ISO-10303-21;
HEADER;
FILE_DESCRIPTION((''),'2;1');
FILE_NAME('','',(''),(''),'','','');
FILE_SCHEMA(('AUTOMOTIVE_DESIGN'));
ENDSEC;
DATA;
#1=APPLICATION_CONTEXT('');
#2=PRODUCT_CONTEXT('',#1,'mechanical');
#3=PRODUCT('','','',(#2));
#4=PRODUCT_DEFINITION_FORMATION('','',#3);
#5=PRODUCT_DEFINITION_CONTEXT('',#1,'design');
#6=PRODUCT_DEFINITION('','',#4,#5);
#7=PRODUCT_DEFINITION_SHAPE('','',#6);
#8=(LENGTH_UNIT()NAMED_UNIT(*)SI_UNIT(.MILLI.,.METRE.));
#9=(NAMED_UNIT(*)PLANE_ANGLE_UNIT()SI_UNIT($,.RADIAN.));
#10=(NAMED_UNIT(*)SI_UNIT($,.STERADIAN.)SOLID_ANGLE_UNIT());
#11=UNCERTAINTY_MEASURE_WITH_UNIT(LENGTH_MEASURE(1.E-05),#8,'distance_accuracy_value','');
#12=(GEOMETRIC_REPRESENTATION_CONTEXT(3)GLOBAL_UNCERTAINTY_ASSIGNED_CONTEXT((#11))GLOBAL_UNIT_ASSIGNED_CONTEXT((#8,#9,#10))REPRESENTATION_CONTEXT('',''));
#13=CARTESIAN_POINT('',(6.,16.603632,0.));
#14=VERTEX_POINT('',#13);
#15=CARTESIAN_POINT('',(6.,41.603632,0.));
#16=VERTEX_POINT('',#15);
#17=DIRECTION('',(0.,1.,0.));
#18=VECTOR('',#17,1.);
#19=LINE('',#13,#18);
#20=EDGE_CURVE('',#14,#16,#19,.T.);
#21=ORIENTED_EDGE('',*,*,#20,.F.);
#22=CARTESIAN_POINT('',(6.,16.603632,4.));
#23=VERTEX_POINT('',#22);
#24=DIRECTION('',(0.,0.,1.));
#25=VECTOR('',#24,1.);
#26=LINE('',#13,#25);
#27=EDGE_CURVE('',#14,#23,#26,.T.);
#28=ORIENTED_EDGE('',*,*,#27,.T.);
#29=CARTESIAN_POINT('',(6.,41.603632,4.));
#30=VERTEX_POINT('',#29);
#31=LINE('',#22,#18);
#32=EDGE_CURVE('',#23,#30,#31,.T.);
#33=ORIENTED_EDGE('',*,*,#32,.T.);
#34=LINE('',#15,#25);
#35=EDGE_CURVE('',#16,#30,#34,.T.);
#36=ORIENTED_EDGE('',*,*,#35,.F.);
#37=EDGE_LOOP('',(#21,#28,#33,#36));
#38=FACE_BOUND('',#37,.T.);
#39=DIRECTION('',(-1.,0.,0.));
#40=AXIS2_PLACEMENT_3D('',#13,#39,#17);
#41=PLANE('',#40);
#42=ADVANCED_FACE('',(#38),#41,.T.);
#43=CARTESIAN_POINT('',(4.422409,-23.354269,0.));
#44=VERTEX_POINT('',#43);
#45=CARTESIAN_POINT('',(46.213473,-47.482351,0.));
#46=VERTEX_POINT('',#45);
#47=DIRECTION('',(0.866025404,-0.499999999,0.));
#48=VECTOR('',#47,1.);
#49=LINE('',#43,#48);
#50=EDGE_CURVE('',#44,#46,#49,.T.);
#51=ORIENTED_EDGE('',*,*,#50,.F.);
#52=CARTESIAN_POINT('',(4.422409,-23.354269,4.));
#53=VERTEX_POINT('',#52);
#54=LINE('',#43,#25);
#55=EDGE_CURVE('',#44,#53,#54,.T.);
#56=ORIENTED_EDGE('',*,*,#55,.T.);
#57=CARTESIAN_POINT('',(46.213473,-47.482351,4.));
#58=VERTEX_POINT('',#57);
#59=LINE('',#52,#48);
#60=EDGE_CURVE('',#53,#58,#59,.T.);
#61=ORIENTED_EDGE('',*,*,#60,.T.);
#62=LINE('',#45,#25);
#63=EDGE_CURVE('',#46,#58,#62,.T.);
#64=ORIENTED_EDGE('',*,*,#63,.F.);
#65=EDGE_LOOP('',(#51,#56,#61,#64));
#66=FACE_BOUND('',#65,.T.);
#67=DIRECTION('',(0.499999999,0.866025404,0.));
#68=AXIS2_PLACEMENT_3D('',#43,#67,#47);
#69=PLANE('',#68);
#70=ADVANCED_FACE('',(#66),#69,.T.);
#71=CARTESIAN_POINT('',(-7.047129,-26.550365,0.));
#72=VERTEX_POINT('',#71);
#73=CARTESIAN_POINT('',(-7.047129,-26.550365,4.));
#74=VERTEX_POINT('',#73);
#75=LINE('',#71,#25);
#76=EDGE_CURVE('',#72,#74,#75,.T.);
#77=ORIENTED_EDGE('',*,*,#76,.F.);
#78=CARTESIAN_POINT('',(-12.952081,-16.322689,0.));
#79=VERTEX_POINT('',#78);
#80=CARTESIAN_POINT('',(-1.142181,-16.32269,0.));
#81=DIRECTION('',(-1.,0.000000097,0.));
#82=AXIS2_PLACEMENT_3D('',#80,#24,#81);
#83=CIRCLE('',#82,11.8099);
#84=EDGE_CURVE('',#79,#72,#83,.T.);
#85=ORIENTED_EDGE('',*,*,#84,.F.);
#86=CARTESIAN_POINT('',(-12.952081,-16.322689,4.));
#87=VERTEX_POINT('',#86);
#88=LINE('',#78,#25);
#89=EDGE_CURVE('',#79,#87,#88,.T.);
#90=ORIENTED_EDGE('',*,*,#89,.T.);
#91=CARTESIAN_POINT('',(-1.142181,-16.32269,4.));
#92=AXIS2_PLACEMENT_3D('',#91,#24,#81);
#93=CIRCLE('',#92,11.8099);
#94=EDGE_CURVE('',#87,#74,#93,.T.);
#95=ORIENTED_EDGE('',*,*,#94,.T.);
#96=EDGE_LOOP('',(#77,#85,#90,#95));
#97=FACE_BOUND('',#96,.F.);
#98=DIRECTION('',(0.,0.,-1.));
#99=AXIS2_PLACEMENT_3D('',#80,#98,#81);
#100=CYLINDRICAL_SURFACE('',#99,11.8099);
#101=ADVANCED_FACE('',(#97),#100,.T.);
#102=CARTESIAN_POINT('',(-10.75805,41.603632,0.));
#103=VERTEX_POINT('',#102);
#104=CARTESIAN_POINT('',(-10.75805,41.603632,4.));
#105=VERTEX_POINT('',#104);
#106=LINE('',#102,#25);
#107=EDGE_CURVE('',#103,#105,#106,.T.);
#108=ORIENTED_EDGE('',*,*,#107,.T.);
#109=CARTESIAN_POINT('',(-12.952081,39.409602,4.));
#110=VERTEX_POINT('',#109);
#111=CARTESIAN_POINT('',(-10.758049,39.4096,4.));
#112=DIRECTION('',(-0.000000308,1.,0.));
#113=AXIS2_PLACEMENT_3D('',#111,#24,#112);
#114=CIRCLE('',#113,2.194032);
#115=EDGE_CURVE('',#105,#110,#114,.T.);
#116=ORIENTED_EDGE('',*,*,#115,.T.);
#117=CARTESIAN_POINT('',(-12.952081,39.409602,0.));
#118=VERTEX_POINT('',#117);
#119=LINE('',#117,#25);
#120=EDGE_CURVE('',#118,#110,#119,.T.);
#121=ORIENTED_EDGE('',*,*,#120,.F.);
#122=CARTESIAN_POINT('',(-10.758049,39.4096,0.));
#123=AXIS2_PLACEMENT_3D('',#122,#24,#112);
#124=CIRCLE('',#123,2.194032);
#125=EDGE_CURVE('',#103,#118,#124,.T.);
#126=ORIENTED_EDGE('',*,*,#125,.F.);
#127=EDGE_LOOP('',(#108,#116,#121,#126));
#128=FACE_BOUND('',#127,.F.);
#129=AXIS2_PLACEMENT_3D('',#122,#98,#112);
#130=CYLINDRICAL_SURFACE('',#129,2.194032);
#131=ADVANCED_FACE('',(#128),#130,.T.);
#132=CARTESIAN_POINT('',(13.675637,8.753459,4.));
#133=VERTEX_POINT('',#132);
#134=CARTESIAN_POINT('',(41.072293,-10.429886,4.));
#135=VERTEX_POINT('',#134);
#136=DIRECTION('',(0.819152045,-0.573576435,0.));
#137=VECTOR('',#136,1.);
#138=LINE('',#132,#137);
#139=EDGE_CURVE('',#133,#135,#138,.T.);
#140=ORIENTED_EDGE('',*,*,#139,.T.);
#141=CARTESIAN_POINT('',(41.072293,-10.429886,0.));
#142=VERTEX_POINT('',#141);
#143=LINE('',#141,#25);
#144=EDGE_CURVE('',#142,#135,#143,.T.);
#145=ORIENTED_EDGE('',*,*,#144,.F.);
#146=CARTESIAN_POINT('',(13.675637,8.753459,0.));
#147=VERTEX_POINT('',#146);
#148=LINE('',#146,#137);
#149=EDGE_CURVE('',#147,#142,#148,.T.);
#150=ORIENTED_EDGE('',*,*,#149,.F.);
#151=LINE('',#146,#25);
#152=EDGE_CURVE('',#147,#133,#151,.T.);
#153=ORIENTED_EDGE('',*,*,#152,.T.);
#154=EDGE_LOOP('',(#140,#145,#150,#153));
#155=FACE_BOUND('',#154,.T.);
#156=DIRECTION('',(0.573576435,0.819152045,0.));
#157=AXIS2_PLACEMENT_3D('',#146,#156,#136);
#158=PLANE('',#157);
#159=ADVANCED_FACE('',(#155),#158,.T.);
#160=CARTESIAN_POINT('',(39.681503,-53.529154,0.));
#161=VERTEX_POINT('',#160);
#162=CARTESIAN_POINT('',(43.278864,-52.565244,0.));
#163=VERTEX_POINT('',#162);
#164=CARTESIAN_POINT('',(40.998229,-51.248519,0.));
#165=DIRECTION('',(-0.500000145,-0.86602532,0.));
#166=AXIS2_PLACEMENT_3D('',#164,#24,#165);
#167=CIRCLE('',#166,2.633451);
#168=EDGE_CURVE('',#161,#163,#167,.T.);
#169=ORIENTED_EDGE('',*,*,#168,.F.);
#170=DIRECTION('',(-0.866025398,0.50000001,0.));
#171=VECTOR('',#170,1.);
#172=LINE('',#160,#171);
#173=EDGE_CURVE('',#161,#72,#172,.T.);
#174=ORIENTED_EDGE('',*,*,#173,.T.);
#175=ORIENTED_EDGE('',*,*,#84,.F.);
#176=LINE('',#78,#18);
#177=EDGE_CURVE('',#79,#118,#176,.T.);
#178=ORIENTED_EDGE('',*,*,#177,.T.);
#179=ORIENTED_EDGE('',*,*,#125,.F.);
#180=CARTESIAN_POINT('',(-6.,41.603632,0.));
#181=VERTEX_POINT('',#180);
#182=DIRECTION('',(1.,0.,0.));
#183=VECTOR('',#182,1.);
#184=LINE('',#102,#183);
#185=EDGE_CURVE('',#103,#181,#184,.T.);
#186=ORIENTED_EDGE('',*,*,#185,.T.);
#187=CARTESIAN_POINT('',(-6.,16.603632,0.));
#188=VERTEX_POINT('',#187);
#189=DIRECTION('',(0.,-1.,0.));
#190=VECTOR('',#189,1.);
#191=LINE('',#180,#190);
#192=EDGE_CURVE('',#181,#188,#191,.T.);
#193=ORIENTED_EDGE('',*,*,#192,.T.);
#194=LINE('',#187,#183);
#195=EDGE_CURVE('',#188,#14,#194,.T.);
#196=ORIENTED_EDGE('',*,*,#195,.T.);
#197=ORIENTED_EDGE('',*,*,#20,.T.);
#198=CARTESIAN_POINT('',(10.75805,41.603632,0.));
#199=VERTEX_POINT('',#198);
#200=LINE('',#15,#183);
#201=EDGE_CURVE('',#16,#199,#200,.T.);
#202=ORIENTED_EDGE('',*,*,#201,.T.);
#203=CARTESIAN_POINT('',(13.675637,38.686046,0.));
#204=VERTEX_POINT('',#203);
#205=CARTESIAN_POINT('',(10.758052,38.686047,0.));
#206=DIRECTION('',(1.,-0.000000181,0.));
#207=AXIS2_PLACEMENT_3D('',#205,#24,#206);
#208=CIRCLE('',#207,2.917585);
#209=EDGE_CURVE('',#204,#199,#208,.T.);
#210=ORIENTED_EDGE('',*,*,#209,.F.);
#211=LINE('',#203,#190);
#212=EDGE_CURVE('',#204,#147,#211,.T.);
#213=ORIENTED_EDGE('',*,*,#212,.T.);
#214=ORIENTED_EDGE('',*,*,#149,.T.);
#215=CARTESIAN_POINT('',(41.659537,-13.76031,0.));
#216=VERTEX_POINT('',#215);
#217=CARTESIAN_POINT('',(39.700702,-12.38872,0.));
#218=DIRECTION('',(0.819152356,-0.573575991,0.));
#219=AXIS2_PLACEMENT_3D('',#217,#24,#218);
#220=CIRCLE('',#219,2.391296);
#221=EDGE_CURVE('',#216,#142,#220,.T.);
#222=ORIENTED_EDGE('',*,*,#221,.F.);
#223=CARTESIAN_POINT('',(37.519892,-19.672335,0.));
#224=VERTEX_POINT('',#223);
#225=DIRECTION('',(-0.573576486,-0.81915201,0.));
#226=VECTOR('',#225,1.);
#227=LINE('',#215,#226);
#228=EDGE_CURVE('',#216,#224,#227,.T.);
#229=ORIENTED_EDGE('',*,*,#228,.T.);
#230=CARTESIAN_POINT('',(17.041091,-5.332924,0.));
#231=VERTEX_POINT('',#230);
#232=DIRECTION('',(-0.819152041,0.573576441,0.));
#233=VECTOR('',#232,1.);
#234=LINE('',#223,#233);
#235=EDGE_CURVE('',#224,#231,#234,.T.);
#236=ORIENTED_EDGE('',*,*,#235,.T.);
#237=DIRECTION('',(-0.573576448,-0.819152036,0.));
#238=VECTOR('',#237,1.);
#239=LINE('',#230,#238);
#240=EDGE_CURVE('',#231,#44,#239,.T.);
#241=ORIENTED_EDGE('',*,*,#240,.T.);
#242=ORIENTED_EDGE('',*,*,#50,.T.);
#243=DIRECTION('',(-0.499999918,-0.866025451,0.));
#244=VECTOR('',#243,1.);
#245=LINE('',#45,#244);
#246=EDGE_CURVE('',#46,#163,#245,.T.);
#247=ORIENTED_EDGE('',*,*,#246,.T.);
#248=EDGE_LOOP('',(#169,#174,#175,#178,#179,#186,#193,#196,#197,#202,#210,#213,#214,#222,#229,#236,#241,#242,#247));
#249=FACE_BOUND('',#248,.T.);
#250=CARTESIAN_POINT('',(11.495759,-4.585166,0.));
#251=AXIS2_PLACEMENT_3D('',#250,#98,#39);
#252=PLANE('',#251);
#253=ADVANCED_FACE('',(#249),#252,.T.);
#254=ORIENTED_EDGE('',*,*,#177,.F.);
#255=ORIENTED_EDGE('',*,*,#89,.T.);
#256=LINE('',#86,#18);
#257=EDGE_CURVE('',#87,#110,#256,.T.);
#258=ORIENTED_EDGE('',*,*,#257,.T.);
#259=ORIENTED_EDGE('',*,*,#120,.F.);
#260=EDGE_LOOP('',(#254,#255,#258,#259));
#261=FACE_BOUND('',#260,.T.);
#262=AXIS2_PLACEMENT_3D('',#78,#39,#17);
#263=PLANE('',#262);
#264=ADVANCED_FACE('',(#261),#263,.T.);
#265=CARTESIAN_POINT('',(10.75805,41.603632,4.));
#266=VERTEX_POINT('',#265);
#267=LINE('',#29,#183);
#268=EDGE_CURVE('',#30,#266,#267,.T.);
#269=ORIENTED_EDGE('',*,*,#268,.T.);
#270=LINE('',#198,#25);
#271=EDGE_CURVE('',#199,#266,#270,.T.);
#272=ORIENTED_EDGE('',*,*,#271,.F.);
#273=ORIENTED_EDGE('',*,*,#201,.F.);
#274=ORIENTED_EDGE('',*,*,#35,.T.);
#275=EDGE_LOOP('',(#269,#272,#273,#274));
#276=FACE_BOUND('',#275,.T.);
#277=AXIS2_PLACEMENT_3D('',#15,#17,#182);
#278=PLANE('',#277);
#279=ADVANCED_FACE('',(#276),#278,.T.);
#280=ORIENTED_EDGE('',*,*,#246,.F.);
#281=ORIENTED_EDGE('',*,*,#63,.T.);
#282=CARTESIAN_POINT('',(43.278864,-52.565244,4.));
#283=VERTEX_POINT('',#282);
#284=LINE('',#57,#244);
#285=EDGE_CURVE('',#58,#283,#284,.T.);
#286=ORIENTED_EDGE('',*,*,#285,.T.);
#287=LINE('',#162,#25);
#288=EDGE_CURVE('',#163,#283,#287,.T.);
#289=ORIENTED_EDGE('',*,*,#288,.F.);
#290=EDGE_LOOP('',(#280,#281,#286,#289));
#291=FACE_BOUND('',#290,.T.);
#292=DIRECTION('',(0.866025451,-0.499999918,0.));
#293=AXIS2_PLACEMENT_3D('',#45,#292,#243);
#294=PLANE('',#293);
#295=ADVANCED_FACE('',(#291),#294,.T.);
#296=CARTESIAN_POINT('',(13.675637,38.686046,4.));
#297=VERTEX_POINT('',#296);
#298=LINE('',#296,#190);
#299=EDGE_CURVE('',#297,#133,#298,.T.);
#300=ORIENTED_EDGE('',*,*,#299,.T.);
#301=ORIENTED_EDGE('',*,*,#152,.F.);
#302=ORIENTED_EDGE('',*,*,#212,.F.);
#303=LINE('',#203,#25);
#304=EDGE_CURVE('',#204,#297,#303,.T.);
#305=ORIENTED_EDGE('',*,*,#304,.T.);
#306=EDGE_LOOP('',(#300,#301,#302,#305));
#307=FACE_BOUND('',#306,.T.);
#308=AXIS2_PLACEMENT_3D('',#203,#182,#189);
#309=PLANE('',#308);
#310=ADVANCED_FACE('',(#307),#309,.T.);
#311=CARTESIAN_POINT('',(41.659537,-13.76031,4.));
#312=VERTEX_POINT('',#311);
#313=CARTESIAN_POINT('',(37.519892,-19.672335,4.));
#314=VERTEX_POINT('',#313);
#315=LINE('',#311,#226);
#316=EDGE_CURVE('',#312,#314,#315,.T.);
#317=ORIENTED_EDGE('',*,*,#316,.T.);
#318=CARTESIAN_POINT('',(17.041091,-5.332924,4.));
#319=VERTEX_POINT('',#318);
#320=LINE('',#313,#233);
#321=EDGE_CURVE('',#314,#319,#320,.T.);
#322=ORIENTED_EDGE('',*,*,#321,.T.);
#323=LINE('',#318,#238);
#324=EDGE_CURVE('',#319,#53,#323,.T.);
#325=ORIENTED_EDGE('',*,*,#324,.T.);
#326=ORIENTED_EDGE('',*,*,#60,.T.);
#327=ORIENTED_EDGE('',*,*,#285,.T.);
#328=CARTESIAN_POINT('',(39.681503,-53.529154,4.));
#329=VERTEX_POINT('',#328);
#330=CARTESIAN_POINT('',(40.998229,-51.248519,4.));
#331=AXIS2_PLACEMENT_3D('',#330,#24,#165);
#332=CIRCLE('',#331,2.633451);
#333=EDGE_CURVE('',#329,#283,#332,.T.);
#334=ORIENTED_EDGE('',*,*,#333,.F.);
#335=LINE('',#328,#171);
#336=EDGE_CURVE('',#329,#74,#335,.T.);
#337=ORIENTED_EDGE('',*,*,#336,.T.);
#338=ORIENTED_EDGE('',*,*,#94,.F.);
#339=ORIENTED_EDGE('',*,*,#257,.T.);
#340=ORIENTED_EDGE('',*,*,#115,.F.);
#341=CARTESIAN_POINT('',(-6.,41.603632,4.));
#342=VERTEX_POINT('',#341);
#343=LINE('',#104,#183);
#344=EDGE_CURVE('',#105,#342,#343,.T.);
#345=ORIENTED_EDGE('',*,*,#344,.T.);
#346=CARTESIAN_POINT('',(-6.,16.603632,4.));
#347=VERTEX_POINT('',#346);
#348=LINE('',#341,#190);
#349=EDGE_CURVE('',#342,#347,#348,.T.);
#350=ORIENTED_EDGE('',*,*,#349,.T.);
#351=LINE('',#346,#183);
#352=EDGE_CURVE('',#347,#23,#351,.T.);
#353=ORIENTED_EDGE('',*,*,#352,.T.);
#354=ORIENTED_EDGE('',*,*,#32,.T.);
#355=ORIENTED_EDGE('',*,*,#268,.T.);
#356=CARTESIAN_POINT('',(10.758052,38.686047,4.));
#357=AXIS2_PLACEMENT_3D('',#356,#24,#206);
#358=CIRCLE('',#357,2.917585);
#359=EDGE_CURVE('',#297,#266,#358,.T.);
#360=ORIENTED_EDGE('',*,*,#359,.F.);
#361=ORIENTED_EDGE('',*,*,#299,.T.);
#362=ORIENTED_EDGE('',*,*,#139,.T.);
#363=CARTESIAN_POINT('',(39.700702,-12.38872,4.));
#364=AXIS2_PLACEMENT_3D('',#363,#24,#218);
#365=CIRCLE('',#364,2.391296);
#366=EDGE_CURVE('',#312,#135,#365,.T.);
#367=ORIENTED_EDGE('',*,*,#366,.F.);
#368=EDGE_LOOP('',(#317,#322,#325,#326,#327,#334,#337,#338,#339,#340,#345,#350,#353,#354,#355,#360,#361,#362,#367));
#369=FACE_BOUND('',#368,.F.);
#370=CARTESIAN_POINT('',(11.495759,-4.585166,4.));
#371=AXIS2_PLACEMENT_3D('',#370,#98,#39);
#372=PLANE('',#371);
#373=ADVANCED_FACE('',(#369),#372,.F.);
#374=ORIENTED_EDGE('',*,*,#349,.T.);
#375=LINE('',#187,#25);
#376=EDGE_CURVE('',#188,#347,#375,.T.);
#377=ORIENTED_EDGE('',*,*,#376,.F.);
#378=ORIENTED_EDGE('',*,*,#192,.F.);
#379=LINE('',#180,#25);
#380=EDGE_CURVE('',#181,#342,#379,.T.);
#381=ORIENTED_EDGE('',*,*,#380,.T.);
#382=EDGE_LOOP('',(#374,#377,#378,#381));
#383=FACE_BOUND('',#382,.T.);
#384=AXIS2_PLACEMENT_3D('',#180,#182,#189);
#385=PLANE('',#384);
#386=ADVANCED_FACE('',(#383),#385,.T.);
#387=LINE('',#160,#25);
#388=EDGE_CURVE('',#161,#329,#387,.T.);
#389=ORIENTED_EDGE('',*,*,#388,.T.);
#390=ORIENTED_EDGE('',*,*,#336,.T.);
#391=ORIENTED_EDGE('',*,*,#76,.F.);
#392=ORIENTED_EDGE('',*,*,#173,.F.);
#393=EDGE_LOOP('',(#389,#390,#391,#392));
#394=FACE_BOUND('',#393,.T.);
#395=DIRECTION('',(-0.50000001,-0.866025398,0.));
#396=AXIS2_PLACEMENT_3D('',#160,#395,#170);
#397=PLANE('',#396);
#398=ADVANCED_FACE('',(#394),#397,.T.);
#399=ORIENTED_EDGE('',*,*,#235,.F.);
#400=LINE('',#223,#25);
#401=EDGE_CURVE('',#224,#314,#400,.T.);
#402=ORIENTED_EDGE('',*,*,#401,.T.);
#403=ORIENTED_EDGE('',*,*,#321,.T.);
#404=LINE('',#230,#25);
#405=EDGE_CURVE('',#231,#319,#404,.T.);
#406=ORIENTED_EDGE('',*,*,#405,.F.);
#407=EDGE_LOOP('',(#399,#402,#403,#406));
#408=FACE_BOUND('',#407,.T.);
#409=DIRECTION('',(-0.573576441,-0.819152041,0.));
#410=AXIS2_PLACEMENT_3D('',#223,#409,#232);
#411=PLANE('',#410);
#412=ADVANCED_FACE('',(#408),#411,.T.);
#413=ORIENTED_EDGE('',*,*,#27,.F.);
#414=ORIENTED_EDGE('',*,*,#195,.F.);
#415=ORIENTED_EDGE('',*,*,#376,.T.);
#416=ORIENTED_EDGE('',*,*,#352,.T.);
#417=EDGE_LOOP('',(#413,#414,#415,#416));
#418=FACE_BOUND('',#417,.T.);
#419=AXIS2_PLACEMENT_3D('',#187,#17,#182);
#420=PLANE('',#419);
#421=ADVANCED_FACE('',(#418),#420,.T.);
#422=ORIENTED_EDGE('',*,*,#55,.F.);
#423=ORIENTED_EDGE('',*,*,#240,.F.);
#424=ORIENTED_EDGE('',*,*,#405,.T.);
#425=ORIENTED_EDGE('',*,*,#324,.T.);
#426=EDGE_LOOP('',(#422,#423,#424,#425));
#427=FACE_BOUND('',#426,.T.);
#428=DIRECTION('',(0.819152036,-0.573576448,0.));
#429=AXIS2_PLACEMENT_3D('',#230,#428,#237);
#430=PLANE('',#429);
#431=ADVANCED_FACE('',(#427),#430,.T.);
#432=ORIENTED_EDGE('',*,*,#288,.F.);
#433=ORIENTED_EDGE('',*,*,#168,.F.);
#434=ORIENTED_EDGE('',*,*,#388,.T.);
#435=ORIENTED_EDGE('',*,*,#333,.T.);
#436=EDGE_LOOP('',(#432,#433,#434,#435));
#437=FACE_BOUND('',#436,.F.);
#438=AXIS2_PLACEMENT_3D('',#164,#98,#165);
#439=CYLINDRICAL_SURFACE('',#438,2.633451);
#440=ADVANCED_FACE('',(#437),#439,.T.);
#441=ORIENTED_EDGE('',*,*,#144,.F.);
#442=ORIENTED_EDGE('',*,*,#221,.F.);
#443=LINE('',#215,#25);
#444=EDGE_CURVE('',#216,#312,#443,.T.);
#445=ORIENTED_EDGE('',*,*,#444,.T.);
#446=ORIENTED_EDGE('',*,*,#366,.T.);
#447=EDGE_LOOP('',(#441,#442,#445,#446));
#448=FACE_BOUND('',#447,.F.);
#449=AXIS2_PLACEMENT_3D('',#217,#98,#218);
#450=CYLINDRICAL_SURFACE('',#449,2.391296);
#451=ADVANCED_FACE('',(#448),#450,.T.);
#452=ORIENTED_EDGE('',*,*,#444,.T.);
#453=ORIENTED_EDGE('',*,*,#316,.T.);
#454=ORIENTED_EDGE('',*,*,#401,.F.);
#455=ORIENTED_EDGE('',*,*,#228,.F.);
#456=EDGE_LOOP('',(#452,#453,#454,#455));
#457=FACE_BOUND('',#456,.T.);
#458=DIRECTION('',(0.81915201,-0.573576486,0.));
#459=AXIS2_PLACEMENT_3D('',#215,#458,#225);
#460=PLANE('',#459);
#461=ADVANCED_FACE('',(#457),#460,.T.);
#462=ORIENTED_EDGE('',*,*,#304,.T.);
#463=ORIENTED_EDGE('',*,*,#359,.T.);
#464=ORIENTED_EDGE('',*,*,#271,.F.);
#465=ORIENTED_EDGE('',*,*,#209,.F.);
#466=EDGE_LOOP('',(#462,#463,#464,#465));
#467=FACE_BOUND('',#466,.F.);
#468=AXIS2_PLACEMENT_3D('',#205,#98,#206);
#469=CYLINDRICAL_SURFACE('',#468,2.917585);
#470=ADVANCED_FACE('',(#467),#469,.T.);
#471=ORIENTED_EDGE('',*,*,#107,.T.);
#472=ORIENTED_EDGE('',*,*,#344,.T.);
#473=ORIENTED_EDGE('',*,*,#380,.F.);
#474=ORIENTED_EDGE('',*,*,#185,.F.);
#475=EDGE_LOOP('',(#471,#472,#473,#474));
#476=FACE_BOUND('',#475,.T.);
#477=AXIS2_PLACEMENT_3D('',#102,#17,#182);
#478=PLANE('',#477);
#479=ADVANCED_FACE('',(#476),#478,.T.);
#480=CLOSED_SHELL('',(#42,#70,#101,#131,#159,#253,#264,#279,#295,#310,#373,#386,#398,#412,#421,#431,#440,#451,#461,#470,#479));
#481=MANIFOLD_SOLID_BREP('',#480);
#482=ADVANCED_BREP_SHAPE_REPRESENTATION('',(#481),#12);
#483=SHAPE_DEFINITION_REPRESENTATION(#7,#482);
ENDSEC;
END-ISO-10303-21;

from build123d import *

# Parameters (mm, degrees)
PAD_DEPTH = 4


with BuildPart() as part:
    # Sketch → Pad (new body)
    with BuildSketch(Plane.XY):
        with BuildLine():
            Line((-10.75805, 41.603632), (-6, 41.603632))
            Line((-6, 41.603632), (-6, 16.603632))
            Line((-6, 16.603632), (6, 16.603632))
            Line((6, 16.603632), (6, 41.603632))
            Line((6, 41.603632), (10.75805, 41.603632))
            ThreePointArc((13.675637, 38.686046), (12.821096, 40.749091), (10.75805, 41.603632))
            Line((13.675637, 38.686046), (13.675637, 8.753459))
            Line((13.675637, 8.753459), (41.072293, -10.429886))
            ThreePointArc((41.659537, -13.76031), (42.055668, -11.973476), (41.072293, -10.429886))
            Line((41.659537, -13.76031), (37.519892, -19.672335))
            Line((37.519892, -19.672335), (17.041091, -5.332924))
            Line((17.041091, -5.332924), (4.422409, -23.354269))
            Line((4.422409, -23.354269), (46.213473, -47.482351))
            Line((46.213473, -47.482351), (43.278864, -52.565244))
            ThreePointArc((39.681503, -53.529154), (41.679816, -53.792237), (43.278864, -52.565244))
            Line((39.681503, -53.529154), (-7.047129, -26.550365))
            ThreePointArc((-12.952081, -16.322689), (-11.369854, -22.227641), (-7.047129, -26.550365))
            Line((-12.952081, -16.322689), (-12.952081, 39.409602))
            ThreePointArc((-10.75805, 41.603632), (-12.309464, 40.961015), (-12.952081, 39.409602))
        make_face()
    extrude(amount=PAD_DEPTH)


solid = part.part
